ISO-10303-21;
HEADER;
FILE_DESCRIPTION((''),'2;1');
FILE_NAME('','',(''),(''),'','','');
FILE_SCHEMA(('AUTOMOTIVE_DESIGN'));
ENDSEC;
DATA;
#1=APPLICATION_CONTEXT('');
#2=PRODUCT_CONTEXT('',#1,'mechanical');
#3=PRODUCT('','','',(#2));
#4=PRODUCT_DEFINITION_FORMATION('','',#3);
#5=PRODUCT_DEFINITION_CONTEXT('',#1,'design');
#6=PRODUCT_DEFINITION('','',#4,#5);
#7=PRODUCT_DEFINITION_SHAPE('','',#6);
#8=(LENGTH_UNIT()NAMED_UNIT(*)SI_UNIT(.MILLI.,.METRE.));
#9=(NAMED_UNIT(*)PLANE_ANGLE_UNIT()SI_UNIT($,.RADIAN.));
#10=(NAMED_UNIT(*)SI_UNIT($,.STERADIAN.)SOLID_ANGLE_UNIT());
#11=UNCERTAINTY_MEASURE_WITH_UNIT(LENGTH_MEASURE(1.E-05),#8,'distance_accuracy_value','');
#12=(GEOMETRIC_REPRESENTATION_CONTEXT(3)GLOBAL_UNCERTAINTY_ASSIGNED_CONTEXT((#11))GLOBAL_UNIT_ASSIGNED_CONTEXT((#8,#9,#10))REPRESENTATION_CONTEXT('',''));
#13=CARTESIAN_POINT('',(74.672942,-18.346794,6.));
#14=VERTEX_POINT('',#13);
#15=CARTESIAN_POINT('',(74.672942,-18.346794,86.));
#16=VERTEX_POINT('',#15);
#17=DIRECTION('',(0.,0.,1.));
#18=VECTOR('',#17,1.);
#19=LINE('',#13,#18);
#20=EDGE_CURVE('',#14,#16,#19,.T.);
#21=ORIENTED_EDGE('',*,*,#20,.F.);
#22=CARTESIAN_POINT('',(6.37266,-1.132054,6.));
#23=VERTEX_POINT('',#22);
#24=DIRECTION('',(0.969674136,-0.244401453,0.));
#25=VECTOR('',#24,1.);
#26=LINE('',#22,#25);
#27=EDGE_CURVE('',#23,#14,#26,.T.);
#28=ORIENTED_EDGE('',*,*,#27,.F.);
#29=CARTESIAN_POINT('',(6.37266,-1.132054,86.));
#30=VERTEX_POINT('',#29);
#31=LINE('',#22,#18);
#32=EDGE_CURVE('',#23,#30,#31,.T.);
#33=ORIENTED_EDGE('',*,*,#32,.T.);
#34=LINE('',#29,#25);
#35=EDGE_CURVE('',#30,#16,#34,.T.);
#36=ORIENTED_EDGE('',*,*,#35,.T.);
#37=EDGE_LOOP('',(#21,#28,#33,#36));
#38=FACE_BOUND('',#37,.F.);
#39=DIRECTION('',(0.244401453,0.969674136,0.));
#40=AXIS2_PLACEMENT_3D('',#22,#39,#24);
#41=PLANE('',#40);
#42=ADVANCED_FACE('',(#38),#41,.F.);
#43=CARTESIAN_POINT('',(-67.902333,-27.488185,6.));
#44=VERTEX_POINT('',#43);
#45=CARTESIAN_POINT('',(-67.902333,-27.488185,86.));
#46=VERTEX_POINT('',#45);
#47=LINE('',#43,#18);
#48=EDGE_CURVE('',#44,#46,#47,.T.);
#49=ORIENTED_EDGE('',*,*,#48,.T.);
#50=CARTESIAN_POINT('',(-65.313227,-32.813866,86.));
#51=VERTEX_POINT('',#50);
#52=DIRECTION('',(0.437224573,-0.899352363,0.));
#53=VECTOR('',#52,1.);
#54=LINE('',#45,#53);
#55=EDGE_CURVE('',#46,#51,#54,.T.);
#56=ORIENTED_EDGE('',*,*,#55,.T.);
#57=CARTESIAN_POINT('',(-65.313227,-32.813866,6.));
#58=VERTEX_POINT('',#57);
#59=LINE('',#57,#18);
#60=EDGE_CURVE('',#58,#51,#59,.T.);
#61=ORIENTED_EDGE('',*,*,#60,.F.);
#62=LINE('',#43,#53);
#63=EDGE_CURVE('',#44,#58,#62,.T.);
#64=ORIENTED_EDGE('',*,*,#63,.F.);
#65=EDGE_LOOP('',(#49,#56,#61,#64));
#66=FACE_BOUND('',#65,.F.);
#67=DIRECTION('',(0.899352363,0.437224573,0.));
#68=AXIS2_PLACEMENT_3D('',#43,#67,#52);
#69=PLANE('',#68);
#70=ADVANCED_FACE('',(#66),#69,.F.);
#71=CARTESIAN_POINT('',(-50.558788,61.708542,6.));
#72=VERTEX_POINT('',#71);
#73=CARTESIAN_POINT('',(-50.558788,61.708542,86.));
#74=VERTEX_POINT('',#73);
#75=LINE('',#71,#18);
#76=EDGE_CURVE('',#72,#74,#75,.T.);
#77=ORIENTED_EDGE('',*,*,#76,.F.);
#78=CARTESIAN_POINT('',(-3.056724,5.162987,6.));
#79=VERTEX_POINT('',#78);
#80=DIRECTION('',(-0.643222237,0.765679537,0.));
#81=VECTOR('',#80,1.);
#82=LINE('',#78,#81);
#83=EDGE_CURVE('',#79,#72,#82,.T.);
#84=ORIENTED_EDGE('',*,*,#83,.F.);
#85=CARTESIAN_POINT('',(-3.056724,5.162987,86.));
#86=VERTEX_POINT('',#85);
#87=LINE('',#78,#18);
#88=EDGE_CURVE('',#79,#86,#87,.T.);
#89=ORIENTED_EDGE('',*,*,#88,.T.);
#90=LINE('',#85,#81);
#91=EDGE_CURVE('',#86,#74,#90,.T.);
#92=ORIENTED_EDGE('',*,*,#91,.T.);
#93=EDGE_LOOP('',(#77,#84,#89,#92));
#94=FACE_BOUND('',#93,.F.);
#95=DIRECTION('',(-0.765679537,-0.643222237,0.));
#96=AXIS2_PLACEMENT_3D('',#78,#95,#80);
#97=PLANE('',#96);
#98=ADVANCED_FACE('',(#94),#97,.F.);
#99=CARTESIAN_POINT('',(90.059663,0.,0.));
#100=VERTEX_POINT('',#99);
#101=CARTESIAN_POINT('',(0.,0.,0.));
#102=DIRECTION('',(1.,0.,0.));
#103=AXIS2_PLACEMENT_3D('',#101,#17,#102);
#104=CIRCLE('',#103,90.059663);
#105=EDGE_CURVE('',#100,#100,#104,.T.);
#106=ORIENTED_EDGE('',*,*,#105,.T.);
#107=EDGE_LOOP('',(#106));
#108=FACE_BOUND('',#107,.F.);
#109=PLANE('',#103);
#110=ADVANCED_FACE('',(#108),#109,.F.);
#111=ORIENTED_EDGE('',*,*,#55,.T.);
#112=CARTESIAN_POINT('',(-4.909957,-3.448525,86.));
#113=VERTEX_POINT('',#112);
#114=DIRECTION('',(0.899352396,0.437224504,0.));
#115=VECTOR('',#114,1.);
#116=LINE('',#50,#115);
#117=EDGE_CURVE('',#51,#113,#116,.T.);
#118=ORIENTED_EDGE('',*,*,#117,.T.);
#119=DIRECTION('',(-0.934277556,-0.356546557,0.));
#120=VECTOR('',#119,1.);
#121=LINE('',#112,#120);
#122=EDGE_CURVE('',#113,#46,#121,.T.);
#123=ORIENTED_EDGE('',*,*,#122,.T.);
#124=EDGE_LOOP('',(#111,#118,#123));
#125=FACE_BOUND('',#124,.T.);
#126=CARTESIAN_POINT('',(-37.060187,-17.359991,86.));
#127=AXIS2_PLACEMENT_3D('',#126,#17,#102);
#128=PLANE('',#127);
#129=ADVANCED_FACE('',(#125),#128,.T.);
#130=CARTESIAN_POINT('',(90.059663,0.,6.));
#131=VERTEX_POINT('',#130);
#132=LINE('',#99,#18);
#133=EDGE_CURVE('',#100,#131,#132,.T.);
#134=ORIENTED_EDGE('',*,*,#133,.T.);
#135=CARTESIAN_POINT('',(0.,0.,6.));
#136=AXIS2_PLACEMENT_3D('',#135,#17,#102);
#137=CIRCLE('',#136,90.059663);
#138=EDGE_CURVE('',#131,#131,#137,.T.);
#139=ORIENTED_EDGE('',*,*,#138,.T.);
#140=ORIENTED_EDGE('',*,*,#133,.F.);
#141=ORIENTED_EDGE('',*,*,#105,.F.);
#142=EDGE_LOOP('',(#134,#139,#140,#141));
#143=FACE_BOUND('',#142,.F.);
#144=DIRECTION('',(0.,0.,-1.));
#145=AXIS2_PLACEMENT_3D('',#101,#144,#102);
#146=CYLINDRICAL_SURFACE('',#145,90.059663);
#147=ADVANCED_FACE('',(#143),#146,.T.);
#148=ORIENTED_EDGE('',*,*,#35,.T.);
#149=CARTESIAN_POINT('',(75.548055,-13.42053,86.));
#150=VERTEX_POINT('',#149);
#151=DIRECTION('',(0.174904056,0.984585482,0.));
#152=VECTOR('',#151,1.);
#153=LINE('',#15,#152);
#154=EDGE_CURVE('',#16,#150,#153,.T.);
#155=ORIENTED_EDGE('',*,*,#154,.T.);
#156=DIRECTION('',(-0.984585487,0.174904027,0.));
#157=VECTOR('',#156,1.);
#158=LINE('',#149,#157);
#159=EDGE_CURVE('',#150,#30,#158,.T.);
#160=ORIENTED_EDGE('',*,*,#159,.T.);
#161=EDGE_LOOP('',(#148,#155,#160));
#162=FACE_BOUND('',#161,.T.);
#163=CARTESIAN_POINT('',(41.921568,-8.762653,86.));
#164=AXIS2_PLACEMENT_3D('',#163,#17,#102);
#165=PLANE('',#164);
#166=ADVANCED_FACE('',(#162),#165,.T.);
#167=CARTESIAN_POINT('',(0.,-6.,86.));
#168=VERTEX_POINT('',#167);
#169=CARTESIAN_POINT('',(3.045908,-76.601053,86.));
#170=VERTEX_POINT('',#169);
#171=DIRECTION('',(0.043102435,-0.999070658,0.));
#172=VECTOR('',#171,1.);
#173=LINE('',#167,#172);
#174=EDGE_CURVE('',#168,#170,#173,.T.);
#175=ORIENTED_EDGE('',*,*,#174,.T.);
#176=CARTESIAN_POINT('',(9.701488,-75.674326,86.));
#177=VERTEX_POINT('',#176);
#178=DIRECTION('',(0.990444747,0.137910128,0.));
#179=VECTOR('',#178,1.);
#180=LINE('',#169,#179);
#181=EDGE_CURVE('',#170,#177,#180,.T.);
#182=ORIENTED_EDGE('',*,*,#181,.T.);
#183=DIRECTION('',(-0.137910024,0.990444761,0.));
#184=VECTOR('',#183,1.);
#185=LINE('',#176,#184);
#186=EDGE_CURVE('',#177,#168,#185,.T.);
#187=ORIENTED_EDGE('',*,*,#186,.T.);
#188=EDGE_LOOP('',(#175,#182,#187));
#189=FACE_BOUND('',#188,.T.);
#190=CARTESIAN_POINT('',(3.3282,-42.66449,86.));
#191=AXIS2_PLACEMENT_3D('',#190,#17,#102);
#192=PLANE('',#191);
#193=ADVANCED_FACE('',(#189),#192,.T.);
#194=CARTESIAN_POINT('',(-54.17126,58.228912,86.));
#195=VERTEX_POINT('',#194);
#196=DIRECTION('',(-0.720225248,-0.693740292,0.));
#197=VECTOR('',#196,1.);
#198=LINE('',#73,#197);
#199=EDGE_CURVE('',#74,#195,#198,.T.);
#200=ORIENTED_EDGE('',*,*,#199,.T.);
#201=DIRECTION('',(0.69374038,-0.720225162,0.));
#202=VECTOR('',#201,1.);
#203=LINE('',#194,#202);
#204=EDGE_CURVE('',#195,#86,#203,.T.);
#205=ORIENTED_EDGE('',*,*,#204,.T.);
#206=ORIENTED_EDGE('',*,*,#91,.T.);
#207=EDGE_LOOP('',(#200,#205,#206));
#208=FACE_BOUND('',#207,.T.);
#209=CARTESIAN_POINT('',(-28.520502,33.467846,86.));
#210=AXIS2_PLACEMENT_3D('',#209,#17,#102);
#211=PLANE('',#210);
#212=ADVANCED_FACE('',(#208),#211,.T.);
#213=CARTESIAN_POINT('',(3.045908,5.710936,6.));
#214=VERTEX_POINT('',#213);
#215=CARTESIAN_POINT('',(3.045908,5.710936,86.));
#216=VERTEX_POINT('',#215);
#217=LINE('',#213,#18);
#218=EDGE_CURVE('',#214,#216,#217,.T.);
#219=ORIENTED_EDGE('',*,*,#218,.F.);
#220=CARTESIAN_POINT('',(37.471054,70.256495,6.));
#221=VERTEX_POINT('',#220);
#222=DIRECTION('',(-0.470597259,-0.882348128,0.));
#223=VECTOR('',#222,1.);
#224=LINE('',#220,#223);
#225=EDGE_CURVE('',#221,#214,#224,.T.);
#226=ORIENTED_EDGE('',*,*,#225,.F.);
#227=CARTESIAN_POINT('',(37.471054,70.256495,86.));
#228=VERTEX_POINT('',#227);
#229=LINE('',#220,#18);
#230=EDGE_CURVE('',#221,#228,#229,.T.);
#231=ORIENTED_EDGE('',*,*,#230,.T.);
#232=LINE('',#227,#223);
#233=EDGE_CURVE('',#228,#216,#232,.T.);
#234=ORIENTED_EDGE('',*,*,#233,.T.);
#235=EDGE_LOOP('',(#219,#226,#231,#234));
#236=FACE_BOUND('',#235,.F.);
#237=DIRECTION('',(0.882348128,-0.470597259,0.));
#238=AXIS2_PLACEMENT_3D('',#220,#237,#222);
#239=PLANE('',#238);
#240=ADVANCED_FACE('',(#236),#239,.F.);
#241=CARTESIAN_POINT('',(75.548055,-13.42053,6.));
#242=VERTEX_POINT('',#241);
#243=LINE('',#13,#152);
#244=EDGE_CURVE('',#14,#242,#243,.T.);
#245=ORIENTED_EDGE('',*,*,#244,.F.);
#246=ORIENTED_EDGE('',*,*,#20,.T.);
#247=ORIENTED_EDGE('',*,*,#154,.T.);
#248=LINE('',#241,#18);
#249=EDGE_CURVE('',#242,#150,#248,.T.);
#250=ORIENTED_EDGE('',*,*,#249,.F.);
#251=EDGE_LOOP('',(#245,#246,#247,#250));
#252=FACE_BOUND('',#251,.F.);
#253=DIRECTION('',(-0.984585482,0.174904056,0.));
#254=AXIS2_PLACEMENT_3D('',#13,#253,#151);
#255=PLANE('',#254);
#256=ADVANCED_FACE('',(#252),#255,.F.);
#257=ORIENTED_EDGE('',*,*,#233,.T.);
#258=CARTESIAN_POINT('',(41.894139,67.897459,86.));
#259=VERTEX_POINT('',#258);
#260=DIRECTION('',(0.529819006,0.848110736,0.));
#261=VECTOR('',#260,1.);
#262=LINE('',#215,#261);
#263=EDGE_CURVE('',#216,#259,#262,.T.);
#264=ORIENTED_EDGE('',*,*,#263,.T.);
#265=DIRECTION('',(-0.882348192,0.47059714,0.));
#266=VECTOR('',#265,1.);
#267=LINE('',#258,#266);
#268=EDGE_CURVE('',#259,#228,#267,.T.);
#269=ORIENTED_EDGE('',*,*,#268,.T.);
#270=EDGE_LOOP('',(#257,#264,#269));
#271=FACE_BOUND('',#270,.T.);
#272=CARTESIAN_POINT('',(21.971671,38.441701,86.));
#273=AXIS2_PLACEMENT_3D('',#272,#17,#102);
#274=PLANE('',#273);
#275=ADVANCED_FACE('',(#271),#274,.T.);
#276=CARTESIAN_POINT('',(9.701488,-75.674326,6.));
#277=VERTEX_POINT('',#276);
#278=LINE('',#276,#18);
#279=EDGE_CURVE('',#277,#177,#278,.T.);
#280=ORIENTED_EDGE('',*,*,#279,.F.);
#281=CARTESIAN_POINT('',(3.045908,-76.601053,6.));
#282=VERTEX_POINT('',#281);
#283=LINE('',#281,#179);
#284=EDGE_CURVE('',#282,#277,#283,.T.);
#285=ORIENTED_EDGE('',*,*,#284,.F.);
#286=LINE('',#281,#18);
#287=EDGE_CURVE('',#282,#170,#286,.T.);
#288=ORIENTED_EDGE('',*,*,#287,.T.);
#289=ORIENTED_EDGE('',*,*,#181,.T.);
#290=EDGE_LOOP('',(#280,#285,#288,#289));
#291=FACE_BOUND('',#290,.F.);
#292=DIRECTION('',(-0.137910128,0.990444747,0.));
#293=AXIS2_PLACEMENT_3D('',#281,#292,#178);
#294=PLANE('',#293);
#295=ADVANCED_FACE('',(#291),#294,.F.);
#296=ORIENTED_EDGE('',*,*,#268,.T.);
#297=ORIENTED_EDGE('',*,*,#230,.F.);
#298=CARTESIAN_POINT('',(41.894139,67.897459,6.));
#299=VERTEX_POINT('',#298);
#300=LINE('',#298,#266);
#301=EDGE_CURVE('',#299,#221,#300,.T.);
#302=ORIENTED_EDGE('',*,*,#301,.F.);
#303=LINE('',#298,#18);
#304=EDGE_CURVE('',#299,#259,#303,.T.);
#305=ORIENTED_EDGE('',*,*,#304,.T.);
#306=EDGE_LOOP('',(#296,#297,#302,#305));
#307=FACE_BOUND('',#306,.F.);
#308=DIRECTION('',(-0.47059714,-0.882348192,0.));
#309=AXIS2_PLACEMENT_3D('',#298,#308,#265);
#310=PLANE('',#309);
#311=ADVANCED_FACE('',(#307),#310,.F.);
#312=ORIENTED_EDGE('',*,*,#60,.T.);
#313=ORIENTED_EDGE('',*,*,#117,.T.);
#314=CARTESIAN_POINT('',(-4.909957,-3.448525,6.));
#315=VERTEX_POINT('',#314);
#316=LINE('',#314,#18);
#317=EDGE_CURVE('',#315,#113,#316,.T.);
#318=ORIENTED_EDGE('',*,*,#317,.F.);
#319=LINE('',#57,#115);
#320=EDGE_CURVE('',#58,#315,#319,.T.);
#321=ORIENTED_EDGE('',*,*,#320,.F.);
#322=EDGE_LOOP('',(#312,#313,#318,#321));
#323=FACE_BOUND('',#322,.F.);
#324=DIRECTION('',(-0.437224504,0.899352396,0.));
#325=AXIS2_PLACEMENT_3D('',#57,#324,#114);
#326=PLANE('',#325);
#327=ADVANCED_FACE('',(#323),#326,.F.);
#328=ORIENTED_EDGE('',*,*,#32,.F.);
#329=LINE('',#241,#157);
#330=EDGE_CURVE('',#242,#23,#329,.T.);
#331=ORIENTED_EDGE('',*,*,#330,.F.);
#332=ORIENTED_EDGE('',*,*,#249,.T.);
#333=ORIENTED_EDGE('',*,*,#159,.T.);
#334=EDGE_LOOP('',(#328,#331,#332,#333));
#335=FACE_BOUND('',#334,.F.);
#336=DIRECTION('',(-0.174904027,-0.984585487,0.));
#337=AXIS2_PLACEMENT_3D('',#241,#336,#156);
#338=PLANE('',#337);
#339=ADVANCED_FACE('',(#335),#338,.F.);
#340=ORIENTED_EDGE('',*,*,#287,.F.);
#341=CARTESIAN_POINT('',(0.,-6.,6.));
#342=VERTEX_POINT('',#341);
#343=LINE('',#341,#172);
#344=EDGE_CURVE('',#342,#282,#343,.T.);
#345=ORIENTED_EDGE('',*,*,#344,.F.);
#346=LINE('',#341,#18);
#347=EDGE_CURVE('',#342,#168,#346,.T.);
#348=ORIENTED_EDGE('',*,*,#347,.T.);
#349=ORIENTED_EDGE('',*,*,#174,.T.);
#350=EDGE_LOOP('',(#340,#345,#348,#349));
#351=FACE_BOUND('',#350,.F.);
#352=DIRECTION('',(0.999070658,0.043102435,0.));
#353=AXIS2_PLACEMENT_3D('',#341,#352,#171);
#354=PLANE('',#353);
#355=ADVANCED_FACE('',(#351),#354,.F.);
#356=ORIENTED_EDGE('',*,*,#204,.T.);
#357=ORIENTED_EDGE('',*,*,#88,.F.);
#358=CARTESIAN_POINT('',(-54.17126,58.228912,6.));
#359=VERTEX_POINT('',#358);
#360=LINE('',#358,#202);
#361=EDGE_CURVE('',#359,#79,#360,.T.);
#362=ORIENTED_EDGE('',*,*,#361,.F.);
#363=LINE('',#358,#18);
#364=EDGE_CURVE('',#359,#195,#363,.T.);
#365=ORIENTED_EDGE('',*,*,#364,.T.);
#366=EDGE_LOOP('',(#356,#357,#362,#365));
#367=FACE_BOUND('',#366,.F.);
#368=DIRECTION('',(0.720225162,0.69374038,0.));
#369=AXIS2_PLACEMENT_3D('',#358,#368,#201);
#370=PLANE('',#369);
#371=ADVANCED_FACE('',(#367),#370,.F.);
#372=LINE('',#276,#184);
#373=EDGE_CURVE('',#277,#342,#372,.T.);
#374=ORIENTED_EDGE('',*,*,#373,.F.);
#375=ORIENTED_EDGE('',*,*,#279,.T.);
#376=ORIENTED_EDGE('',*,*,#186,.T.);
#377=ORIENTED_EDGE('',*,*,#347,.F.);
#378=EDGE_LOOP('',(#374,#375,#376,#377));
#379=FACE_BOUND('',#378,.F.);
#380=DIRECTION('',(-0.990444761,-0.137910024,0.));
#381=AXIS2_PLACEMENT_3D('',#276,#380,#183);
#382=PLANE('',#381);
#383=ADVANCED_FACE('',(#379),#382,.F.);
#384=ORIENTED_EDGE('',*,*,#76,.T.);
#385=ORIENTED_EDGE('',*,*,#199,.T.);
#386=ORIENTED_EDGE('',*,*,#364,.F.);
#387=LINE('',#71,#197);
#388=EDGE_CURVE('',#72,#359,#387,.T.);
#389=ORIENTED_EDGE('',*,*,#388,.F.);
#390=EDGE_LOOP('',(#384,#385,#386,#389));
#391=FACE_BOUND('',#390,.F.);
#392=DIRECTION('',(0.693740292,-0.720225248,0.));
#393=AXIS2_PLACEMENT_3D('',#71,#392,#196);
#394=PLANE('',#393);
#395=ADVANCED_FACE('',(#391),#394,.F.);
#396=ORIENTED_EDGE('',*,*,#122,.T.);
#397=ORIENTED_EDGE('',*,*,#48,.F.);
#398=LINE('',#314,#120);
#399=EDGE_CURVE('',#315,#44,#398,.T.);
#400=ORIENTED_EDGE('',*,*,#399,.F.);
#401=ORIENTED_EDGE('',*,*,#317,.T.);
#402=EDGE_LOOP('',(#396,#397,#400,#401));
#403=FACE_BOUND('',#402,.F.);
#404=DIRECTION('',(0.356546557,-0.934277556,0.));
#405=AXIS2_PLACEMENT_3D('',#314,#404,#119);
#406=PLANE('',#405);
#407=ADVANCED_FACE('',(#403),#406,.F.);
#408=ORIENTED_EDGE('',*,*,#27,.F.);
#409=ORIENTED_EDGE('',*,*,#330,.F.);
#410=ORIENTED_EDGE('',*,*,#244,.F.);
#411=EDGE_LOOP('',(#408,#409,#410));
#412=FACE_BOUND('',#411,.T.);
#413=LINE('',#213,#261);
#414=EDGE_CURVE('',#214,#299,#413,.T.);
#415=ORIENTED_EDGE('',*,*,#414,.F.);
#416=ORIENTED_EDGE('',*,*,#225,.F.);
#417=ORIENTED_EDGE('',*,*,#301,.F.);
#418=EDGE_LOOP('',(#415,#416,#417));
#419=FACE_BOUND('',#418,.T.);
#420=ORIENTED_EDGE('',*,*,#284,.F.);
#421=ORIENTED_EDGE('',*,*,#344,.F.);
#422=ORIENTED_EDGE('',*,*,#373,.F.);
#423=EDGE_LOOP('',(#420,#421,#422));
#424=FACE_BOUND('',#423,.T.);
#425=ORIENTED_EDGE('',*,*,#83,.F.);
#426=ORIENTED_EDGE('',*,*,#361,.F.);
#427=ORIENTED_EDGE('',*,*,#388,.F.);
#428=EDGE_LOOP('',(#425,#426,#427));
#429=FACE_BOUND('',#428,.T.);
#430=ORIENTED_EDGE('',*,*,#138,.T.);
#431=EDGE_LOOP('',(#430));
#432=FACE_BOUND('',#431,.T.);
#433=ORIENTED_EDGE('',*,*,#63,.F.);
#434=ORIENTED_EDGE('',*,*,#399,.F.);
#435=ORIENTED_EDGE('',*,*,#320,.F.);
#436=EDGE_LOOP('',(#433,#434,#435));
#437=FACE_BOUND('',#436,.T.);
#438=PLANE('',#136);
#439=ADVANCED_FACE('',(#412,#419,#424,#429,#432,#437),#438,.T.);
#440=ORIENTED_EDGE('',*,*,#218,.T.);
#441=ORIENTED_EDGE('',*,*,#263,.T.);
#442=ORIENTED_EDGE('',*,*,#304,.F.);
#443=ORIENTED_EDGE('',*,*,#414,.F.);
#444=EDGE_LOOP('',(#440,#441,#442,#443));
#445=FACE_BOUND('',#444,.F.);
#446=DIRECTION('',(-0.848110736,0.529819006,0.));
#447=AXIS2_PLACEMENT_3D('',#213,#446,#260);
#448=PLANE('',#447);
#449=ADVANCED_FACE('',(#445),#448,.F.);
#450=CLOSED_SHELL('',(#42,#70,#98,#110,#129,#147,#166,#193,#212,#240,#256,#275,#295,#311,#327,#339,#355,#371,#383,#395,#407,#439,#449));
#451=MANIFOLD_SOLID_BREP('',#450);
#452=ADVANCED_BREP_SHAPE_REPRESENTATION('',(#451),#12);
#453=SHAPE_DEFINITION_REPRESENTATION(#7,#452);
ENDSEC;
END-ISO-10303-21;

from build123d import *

# Parameters (mm, degrees)
F0_R     = 90.059663
F1_DEPTH = 6
F3_DEPTH = 80


with BuildPart() as f1:
    # F0 (on Top) → F1 (new body)
    with BuildSketch(Plane.XY):
        Circle(F0_R)
    extrude(amount=F1_DEPTH)

    # F2 (on face) → F3 (join)
    with BuildSketch(Plane.XY.offset(6)):
        Polygon((41.894139, 67.897459), (37.471054, 70.256495), (3.045908, 5.710936), align=None)
        Polygon((75.548055, -13.42053), (6.37266, -1.132054), (74.672942, -18.346794), align=None)
        Polygon((9.701488, -75.674326), (0, -6), (3.045908, -76.601053), align=None)
        Polygon((-54.17126, 58.228912), (-3.056724, 5.162987), (-50.558788, 61.708542), align=None)
        Polygon((-65.313227, -32.813866), (-4.909957, -3.448525), (-67.902333, -27.488185), align=None)
    extrude(amount=F3_DEPTH)


solid = f1.part
